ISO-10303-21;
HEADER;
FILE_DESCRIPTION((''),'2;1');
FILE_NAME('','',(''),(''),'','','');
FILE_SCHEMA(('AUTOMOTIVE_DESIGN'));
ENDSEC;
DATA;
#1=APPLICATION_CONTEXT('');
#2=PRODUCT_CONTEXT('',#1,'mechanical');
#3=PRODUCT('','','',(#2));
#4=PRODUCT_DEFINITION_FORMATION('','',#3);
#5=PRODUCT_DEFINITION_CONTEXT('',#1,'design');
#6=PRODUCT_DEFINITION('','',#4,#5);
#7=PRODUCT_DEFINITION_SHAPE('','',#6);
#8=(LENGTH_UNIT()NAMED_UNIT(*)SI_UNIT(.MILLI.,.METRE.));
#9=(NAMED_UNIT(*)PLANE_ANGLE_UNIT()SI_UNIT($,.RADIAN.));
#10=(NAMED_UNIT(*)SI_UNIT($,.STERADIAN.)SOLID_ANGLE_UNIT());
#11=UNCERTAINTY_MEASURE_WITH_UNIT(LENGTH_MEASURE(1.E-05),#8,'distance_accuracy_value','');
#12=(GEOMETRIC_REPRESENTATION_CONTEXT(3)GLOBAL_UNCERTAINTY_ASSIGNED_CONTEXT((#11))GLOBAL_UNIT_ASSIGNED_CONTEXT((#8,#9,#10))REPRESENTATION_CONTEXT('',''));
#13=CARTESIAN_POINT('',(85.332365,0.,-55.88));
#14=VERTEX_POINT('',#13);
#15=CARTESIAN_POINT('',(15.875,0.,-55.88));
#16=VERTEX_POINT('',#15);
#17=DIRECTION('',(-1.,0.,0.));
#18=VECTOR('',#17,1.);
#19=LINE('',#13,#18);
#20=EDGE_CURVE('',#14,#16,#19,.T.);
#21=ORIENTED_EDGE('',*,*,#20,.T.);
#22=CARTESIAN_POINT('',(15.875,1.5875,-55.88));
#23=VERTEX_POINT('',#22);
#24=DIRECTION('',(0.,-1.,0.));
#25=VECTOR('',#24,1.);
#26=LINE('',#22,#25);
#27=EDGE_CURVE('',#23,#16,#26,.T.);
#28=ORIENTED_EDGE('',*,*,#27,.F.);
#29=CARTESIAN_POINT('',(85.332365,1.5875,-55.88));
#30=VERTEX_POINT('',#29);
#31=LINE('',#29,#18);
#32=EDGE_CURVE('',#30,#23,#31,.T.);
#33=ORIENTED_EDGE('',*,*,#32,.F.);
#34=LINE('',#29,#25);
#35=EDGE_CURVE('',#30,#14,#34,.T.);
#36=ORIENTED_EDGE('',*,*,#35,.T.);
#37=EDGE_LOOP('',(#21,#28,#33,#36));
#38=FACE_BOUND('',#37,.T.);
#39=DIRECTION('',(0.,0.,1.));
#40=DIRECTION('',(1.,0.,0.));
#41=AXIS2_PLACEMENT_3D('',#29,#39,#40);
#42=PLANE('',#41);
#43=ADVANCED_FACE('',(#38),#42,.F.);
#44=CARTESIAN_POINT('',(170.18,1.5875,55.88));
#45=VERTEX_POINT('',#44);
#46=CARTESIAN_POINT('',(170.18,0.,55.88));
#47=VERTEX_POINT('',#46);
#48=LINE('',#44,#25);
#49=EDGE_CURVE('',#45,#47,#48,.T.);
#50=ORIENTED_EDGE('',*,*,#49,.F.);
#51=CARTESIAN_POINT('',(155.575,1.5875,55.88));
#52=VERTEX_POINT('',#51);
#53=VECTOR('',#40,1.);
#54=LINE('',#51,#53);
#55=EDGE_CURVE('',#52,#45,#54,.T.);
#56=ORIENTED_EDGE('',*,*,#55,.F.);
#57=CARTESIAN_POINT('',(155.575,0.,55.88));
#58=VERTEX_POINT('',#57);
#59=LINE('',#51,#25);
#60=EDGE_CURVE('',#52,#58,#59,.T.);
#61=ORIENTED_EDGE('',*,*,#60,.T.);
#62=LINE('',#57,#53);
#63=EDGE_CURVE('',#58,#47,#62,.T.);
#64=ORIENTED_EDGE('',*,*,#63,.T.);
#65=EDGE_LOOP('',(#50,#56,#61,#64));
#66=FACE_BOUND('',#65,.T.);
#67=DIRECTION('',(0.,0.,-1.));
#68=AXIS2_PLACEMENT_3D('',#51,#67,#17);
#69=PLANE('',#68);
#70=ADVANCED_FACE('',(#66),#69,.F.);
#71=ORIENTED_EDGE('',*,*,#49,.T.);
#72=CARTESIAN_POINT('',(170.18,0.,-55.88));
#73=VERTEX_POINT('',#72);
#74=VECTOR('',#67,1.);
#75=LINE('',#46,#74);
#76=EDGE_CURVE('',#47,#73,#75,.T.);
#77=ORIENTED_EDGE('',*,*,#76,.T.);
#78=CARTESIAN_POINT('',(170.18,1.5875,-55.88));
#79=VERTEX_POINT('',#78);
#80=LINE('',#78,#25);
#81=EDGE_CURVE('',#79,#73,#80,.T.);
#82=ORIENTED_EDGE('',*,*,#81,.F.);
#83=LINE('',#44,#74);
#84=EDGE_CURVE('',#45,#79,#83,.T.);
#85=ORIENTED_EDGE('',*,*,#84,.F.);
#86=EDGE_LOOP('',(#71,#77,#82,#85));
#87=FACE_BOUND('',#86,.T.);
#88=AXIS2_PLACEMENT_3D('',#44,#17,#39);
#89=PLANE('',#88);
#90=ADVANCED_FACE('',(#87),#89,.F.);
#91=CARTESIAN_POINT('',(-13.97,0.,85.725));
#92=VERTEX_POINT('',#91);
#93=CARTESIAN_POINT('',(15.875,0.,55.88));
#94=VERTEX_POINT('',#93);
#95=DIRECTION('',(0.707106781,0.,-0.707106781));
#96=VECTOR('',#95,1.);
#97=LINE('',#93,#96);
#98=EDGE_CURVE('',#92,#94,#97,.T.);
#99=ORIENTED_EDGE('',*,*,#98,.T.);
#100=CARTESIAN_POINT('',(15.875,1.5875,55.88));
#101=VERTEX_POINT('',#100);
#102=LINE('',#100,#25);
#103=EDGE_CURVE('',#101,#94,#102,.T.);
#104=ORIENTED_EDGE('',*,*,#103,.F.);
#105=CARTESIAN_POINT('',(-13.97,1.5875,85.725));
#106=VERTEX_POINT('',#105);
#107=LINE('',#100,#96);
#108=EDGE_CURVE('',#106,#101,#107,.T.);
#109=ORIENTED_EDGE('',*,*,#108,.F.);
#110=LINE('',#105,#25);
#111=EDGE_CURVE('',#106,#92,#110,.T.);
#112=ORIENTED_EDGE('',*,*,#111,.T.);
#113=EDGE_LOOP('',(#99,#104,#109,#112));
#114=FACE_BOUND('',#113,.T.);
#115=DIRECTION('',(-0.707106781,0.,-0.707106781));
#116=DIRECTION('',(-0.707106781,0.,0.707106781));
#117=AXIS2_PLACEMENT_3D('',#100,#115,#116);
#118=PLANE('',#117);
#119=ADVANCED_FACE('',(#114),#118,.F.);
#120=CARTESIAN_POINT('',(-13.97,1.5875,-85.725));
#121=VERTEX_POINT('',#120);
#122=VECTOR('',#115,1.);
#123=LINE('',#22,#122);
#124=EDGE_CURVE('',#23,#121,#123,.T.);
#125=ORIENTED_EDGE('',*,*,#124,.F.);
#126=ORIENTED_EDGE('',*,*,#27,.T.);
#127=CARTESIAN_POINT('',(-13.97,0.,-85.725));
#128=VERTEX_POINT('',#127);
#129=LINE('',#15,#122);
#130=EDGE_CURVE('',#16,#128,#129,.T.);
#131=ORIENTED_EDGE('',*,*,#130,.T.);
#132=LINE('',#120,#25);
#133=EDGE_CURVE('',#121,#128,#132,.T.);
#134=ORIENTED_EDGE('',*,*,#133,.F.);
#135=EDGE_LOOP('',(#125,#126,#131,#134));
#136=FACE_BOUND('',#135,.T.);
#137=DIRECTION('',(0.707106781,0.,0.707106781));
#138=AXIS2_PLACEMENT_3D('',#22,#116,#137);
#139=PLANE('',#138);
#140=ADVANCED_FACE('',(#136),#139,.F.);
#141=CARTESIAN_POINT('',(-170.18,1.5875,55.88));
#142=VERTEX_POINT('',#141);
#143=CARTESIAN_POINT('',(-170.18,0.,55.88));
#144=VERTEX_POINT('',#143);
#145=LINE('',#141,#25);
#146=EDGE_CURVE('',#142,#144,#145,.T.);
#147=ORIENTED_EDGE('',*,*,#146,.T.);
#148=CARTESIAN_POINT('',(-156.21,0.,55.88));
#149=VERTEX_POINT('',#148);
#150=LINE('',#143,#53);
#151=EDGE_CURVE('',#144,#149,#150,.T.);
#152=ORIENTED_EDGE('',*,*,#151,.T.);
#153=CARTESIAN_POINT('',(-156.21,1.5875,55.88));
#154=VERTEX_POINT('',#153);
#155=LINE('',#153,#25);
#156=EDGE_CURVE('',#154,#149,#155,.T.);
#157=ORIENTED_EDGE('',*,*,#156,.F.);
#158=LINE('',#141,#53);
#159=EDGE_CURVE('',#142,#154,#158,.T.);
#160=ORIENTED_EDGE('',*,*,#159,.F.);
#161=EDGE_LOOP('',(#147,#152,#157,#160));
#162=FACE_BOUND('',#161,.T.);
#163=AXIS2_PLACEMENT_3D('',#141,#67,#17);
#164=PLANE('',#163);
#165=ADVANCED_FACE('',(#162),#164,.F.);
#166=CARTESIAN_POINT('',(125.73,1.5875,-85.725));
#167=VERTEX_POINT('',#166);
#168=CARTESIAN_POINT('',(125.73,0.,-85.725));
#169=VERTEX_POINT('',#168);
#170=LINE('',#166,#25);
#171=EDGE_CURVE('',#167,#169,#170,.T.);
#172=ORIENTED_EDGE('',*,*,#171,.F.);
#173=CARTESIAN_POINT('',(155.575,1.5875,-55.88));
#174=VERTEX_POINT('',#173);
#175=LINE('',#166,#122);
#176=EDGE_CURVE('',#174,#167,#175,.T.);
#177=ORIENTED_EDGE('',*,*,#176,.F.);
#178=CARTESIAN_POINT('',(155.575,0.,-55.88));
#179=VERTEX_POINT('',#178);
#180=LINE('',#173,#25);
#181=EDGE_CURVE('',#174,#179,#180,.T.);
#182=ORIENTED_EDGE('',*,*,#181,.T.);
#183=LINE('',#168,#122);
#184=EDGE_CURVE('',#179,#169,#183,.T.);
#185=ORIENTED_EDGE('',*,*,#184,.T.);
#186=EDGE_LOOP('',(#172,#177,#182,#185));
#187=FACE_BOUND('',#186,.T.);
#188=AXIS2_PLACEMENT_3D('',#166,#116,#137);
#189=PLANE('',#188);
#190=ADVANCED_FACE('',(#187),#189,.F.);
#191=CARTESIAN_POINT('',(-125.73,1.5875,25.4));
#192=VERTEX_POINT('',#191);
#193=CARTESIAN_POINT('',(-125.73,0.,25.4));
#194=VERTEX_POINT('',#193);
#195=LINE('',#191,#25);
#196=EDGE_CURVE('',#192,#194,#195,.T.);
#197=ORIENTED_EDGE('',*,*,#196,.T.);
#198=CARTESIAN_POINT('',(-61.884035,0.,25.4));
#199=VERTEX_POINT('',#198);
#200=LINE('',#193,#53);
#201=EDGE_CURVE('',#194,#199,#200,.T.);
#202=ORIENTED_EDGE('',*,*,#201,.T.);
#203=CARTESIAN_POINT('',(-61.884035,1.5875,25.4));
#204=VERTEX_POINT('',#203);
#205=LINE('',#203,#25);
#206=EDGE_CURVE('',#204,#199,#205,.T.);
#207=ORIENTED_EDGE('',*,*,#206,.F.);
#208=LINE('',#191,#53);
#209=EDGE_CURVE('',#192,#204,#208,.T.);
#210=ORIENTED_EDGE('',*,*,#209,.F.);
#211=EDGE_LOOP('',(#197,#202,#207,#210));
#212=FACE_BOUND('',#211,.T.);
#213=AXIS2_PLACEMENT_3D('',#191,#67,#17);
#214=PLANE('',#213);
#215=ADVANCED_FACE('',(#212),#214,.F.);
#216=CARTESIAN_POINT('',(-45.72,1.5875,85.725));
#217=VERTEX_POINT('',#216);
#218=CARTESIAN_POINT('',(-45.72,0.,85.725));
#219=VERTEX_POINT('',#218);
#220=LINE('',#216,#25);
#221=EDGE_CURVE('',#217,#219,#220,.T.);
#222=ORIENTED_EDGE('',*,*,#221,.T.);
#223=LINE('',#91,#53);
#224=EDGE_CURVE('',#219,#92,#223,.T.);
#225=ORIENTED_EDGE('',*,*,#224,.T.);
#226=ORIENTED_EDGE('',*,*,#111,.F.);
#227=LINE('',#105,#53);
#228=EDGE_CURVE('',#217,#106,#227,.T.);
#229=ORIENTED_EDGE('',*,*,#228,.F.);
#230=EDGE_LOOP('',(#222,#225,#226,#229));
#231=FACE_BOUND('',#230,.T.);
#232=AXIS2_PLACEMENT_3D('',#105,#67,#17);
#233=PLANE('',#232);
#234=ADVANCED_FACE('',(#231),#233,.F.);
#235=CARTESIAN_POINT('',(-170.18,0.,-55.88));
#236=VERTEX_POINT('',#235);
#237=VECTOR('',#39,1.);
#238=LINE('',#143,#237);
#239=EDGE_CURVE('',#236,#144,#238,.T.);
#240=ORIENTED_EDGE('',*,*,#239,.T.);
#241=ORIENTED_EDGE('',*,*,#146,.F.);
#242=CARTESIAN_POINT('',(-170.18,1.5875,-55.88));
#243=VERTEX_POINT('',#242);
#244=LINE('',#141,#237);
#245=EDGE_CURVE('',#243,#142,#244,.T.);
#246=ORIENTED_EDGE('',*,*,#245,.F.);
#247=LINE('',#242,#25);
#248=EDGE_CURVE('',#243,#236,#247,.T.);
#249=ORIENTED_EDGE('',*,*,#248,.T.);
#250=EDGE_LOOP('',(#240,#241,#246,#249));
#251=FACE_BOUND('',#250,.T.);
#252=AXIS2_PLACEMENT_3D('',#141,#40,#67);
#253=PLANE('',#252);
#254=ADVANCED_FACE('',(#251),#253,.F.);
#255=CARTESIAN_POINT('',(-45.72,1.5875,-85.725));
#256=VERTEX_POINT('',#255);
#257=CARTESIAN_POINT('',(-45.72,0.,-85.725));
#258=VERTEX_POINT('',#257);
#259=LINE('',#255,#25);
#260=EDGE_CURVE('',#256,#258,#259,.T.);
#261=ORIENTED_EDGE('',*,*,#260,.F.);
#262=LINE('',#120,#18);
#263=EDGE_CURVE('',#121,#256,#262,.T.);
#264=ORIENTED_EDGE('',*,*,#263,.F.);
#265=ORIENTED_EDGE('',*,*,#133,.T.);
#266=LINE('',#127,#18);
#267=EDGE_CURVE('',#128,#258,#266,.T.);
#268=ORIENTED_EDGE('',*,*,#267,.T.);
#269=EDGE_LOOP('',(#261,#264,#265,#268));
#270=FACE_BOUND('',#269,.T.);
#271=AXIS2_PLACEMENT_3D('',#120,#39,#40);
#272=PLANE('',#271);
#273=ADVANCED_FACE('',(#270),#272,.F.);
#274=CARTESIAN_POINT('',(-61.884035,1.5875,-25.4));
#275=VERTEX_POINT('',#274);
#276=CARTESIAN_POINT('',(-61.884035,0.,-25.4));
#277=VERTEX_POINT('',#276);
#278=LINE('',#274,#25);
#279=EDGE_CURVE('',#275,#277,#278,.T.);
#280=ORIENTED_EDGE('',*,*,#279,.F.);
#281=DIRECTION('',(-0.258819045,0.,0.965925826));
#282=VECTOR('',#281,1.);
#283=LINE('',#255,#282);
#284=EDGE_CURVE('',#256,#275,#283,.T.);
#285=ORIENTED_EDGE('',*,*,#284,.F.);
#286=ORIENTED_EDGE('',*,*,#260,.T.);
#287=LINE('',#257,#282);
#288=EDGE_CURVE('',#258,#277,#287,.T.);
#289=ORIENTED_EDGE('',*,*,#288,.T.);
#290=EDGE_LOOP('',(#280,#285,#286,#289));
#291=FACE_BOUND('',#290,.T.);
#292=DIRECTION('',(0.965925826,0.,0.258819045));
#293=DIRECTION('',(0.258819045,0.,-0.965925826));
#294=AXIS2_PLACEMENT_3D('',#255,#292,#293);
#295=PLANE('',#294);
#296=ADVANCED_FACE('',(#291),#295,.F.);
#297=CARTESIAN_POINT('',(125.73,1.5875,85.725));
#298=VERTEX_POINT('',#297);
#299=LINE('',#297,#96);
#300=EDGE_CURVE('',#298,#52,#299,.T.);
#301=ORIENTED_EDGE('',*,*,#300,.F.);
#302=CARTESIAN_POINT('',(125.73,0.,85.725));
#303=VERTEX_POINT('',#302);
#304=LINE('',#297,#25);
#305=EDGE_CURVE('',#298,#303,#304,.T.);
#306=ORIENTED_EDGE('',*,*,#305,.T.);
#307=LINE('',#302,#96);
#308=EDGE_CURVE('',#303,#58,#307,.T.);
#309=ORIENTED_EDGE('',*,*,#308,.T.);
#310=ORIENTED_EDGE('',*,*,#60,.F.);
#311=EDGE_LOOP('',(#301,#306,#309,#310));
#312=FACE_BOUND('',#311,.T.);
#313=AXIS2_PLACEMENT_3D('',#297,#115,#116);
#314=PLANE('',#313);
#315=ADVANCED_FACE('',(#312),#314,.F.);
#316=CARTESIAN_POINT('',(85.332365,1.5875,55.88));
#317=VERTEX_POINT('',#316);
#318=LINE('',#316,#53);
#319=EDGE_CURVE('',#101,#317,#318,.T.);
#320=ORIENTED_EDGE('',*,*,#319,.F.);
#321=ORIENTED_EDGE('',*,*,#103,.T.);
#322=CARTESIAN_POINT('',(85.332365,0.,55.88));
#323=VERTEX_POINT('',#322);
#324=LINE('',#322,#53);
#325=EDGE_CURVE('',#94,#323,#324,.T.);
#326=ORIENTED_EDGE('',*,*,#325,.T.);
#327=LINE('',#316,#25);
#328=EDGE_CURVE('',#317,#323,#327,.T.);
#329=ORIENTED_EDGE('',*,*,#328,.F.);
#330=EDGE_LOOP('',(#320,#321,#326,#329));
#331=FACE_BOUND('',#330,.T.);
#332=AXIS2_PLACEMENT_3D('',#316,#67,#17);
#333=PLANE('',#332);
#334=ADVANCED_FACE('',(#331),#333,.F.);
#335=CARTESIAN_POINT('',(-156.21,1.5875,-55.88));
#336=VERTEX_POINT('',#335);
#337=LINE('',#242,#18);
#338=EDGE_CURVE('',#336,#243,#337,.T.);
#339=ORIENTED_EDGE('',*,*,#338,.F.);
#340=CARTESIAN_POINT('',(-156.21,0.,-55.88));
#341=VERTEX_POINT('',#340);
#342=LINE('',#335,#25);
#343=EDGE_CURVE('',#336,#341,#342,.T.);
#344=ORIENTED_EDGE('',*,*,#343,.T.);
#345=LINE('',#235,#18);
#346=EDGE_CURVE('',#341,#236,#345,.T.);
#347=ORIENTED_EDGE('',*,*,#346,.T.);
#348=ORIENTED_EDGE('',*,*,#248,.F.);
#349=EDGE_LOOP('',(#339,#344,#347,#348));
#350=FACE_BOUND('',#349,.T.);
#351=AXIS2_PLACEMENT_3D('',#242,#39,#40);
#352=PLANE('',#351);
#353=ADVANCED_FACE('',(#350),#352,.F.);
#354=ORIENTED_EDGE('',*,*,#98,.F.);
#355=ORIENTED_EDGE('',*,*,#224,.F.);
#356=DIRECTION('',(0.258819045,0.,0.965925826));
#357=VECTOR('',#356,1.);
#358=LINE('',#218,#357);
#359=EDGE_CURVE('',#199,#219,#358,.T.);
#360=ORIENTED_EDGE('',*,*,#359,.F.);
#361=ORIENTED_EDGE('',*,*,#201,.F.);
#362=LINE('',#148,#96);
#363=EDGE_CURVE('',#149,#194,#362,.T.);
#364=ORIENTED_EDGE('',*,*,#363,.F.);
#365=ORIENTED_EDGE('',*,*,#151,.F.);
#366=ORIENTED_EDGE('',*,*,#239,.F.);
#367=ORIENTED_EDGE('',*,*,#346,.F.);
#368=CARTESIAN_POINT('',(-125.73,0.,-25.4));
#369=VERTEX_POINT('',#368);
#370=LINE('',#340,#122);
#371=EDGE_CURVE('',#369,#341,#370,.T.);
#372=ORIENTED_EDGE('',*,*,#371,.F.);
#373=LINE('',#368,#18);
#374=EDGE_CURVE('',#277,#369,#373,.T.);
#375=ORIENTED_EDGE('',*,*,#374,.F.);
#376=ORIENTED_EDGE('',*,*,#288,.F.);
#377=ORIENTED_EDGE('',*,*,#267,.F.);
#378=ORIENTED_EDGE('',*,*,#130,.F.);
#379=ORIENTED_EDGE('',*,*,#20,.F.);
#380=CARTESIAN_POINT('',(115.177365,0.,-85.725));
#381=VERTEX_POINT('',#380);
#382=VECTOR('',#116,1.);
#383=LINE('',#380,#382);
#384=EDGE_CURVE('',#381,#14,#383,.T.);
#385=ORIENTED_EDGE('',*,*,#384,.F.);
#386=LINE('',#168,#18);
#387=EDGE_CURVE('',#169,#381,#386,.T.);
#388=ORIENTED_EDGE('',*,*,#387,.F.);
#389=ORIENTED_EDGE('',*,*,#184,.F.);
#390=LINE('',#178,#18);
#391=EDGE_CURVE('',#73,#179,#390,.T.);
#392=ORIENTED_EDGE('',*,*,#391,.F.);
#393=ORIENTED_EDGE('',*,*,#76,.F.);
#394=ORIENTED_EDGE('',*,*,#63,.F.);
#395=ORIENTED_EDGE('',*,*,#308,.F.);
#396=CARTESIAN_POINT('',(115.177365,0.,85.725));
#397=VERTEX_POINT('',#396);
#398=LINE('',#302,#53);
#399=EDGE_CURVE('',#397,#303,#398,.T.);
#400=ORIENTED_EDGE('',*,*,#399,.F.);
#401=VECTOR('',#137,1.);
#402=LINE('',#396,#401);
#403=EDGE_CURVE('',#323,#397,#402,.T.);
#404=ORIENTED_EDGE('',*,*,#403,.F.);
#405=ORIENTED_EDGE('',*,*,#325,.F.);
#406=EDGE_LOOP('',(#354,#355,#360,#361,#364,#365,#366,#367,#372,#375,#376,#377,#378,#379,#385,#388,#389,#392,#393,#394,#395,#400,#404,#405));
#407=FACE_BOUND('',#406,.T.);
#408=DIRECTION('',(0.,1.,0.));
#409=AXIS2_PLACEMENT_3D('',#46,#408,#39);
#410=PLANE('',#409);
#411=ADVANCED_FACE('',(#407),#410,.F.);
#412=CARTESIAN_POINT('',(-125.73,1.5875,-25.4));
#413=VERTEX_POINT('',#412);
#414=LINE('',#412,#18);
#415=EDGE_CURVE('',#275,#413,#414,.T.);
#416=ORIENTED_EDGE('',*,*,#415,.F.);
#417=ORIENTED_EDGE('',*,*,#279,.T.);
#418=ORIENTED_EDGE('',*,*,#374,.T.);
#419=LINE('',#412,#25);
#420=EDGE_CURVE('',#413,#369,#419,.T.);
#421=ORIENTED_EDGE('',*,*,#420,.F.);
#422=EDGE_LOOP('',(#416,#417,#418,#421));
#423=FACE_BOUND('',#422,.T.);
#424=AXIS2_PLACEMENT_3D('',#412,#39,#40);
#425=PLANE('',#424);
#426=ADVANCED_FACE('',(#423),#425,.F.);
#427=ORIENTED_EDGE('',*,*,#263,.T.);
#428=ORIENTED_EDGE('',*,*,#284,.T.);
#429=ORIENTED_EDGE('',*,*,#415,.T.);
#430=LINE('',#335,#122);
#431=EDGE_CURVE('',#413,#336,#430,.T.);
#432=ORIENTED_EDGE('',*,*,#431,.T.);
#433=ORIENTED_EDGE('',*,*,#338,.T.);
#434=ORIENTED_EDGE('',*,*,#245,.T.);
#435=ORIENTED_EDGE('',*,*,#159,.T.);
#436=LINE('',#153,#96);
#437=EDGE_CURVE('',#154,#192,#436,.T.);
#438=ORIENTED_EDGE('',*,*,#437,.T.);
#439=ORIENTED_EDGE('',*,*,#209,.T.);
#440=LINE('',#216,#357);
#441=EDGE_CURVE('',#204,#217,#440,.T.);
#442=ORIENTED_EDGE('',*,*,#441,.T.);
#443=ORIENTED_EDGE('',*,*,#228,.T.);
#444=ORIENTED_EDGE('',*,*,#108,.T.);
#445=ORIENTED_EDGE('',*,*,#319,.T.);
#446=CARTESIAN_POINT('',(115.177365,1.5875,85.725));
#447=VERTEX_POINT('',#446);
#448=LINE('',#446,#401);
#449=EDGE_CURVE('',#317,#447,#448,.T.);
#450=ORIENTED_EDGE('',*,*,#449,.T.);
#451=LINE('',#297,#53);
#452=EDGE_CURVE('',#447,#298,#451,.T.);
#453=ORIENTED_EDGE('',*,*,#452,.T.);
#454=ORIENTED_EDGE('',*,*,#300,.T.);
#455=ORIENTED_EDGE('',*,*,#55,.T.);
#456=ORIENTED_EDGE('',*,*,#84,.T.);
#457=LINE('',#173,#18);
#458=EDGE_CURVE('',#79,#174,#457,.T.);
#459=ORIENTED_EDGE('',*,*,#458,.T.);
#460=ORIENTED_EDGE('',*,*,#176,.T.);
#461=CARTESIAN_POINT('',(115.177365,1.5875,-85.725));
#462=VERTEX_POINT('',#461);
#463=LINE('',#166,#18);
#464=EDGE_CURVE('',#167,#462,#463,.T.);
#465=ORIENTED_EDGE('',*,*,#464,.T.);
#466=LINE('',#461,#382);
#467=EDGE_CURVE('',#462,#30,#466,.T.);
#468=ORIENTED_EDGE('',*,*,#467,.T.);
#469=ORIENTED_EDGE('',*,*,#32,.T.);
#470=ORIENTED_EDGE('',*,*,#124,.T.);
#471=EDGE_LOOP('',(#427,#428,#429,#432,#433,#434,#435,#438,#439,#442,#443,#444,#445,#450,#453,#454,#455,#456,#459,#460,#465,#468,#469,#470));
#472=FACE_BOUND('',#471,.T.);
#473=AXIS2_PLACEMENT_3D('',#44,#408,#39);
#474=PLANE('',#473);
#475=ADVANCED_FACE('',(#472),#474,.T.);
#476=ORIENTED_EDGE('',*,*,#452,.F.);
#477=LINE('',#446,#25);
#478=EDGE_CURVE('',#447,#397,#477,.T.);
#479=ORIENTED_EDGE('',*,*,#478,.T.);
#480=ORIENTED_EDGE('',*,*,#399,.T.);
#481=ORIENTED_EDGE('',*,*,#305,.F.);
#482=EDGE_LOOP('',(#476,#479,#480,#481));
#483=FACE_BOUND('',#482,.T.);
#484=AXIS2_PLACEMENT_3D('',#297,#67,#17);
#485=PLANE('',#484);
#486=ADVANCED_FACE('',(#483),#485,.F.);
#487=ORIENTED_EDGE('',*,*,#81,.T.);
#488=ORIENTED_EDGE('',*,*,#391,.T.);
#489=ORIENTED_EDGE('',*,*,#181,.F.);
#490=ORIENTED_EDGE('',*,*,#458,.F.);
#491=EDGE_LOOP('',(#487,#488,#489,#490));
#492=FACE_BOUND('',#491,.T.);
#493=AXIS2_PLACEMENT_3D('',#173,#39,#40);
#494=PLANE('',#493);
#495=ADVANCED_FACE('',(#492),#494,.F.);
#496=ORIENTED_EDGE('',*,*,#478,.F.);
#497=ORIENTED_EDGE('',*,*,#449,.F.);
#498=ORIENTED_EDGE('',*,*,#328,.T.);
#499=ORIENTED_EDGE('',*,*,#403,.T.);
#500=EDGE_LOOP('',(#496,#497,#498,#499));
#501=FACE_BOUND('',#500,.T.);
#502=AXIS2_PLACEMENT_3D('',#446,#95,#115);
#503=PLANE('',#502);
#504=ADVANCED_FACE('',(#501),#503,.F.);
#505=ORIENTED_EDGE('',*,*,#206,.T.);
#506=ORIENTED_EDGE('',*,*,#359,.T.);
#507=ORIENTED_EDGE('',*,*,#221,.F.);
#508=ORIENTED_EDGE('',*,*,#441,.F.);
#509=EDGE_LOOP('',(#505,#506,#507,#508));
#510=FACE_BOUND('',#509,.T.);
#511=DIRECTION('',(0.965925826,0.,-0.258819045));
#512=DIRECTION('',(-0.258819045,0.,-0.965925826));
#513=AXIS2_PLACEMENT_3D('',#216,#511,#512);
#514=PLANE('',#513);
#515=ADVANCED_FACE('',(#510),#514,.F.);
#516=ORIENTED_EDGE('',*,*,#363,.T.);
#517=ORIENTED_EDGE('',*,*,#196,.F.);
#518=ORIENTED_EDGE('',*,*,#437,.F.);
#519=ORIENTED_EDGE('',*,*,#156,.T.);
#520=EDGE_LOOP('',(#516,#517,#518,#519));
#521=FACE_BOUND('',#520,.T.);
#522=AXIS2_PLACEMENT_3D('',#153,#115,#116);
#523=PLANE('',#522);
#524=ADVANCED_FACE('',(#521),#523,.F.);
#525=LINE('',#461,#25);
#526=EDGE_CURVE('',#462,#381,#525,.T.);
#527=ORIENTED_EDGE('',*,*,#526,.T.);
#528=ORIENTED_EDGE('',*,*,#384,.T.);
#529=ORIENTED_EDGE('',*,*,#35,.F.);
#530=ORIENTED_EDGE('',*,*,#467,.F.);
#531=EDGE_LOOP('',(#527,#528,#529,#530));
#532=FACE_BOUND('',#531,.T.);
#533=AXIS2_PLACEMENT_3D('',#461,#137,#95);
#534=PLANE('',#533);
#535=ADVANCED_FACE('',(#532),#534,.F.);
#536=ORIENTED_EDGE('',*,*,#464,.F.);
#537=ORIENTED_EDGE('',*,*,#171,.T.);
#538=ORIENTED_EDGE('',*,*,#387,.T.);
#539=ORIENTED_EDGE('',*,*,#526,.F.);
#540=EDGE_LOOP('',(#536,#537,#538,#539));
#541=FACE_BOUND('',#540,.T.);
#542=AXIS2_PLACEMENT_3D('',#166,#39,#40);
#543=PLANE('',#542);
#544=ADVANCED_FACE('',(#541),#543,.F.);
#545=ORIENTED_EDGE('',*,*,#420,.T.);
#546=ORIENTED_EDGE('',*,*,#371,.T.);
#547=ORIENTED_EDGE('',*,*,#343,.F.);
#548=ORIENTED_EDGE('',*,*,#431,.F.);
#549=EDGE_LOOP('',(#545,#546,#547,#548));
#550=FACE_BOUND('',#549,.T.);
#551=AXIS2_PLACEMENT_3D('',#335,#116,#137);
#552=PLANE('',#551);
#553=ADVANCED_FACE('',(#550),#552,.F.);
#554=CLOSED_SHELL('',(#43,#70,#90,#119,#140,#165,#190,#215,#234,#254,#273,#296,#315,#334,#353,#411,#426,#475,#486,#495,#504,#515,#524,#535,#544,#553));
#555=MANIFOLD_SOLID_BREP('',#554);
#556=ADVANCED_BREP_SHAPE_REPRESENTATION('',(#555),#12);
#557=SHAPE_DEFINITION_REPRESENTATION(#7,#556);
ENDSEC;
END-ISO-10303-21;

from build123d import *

# Parameters (mm, degrees)
PLATE_DEPTH = 1.5875


with BuildPart() as part:
    # Sketch1 → Plate (new body)
    with BuildSketch(Plane(origin=(0, 0, 0), x_dir=(1, 0, 0), z_dir=(0, 1, 0))):
        Polygon((125.73, -85.725), (115.177364882, -85.725), (85.332364882, -55.88), (15.875, -55.88), (-13.97, -85.725), (-45.72, -85.725), (-61.884035033, -25.4), (-125.73, -25.4), (-156.21, -55.88), (-170.18, -55.88), (-170.18, 55.88), (-156.21, 55.88), (-125.73, 25.4), (-61.884035033, 25.4), (-45.72, 85.725), (-13.97, 85.725), (15.875, 55.88), (85.332364882, 55.88), (115.177364882, 85.725), (125.73, 85.725), (155.575, 55.88), (170.18, 55.88), (170.18, -55.88), (155.575, -55.88), align=None)
    extrude(amount=PLATE_DEPTH)


solid = part.part
